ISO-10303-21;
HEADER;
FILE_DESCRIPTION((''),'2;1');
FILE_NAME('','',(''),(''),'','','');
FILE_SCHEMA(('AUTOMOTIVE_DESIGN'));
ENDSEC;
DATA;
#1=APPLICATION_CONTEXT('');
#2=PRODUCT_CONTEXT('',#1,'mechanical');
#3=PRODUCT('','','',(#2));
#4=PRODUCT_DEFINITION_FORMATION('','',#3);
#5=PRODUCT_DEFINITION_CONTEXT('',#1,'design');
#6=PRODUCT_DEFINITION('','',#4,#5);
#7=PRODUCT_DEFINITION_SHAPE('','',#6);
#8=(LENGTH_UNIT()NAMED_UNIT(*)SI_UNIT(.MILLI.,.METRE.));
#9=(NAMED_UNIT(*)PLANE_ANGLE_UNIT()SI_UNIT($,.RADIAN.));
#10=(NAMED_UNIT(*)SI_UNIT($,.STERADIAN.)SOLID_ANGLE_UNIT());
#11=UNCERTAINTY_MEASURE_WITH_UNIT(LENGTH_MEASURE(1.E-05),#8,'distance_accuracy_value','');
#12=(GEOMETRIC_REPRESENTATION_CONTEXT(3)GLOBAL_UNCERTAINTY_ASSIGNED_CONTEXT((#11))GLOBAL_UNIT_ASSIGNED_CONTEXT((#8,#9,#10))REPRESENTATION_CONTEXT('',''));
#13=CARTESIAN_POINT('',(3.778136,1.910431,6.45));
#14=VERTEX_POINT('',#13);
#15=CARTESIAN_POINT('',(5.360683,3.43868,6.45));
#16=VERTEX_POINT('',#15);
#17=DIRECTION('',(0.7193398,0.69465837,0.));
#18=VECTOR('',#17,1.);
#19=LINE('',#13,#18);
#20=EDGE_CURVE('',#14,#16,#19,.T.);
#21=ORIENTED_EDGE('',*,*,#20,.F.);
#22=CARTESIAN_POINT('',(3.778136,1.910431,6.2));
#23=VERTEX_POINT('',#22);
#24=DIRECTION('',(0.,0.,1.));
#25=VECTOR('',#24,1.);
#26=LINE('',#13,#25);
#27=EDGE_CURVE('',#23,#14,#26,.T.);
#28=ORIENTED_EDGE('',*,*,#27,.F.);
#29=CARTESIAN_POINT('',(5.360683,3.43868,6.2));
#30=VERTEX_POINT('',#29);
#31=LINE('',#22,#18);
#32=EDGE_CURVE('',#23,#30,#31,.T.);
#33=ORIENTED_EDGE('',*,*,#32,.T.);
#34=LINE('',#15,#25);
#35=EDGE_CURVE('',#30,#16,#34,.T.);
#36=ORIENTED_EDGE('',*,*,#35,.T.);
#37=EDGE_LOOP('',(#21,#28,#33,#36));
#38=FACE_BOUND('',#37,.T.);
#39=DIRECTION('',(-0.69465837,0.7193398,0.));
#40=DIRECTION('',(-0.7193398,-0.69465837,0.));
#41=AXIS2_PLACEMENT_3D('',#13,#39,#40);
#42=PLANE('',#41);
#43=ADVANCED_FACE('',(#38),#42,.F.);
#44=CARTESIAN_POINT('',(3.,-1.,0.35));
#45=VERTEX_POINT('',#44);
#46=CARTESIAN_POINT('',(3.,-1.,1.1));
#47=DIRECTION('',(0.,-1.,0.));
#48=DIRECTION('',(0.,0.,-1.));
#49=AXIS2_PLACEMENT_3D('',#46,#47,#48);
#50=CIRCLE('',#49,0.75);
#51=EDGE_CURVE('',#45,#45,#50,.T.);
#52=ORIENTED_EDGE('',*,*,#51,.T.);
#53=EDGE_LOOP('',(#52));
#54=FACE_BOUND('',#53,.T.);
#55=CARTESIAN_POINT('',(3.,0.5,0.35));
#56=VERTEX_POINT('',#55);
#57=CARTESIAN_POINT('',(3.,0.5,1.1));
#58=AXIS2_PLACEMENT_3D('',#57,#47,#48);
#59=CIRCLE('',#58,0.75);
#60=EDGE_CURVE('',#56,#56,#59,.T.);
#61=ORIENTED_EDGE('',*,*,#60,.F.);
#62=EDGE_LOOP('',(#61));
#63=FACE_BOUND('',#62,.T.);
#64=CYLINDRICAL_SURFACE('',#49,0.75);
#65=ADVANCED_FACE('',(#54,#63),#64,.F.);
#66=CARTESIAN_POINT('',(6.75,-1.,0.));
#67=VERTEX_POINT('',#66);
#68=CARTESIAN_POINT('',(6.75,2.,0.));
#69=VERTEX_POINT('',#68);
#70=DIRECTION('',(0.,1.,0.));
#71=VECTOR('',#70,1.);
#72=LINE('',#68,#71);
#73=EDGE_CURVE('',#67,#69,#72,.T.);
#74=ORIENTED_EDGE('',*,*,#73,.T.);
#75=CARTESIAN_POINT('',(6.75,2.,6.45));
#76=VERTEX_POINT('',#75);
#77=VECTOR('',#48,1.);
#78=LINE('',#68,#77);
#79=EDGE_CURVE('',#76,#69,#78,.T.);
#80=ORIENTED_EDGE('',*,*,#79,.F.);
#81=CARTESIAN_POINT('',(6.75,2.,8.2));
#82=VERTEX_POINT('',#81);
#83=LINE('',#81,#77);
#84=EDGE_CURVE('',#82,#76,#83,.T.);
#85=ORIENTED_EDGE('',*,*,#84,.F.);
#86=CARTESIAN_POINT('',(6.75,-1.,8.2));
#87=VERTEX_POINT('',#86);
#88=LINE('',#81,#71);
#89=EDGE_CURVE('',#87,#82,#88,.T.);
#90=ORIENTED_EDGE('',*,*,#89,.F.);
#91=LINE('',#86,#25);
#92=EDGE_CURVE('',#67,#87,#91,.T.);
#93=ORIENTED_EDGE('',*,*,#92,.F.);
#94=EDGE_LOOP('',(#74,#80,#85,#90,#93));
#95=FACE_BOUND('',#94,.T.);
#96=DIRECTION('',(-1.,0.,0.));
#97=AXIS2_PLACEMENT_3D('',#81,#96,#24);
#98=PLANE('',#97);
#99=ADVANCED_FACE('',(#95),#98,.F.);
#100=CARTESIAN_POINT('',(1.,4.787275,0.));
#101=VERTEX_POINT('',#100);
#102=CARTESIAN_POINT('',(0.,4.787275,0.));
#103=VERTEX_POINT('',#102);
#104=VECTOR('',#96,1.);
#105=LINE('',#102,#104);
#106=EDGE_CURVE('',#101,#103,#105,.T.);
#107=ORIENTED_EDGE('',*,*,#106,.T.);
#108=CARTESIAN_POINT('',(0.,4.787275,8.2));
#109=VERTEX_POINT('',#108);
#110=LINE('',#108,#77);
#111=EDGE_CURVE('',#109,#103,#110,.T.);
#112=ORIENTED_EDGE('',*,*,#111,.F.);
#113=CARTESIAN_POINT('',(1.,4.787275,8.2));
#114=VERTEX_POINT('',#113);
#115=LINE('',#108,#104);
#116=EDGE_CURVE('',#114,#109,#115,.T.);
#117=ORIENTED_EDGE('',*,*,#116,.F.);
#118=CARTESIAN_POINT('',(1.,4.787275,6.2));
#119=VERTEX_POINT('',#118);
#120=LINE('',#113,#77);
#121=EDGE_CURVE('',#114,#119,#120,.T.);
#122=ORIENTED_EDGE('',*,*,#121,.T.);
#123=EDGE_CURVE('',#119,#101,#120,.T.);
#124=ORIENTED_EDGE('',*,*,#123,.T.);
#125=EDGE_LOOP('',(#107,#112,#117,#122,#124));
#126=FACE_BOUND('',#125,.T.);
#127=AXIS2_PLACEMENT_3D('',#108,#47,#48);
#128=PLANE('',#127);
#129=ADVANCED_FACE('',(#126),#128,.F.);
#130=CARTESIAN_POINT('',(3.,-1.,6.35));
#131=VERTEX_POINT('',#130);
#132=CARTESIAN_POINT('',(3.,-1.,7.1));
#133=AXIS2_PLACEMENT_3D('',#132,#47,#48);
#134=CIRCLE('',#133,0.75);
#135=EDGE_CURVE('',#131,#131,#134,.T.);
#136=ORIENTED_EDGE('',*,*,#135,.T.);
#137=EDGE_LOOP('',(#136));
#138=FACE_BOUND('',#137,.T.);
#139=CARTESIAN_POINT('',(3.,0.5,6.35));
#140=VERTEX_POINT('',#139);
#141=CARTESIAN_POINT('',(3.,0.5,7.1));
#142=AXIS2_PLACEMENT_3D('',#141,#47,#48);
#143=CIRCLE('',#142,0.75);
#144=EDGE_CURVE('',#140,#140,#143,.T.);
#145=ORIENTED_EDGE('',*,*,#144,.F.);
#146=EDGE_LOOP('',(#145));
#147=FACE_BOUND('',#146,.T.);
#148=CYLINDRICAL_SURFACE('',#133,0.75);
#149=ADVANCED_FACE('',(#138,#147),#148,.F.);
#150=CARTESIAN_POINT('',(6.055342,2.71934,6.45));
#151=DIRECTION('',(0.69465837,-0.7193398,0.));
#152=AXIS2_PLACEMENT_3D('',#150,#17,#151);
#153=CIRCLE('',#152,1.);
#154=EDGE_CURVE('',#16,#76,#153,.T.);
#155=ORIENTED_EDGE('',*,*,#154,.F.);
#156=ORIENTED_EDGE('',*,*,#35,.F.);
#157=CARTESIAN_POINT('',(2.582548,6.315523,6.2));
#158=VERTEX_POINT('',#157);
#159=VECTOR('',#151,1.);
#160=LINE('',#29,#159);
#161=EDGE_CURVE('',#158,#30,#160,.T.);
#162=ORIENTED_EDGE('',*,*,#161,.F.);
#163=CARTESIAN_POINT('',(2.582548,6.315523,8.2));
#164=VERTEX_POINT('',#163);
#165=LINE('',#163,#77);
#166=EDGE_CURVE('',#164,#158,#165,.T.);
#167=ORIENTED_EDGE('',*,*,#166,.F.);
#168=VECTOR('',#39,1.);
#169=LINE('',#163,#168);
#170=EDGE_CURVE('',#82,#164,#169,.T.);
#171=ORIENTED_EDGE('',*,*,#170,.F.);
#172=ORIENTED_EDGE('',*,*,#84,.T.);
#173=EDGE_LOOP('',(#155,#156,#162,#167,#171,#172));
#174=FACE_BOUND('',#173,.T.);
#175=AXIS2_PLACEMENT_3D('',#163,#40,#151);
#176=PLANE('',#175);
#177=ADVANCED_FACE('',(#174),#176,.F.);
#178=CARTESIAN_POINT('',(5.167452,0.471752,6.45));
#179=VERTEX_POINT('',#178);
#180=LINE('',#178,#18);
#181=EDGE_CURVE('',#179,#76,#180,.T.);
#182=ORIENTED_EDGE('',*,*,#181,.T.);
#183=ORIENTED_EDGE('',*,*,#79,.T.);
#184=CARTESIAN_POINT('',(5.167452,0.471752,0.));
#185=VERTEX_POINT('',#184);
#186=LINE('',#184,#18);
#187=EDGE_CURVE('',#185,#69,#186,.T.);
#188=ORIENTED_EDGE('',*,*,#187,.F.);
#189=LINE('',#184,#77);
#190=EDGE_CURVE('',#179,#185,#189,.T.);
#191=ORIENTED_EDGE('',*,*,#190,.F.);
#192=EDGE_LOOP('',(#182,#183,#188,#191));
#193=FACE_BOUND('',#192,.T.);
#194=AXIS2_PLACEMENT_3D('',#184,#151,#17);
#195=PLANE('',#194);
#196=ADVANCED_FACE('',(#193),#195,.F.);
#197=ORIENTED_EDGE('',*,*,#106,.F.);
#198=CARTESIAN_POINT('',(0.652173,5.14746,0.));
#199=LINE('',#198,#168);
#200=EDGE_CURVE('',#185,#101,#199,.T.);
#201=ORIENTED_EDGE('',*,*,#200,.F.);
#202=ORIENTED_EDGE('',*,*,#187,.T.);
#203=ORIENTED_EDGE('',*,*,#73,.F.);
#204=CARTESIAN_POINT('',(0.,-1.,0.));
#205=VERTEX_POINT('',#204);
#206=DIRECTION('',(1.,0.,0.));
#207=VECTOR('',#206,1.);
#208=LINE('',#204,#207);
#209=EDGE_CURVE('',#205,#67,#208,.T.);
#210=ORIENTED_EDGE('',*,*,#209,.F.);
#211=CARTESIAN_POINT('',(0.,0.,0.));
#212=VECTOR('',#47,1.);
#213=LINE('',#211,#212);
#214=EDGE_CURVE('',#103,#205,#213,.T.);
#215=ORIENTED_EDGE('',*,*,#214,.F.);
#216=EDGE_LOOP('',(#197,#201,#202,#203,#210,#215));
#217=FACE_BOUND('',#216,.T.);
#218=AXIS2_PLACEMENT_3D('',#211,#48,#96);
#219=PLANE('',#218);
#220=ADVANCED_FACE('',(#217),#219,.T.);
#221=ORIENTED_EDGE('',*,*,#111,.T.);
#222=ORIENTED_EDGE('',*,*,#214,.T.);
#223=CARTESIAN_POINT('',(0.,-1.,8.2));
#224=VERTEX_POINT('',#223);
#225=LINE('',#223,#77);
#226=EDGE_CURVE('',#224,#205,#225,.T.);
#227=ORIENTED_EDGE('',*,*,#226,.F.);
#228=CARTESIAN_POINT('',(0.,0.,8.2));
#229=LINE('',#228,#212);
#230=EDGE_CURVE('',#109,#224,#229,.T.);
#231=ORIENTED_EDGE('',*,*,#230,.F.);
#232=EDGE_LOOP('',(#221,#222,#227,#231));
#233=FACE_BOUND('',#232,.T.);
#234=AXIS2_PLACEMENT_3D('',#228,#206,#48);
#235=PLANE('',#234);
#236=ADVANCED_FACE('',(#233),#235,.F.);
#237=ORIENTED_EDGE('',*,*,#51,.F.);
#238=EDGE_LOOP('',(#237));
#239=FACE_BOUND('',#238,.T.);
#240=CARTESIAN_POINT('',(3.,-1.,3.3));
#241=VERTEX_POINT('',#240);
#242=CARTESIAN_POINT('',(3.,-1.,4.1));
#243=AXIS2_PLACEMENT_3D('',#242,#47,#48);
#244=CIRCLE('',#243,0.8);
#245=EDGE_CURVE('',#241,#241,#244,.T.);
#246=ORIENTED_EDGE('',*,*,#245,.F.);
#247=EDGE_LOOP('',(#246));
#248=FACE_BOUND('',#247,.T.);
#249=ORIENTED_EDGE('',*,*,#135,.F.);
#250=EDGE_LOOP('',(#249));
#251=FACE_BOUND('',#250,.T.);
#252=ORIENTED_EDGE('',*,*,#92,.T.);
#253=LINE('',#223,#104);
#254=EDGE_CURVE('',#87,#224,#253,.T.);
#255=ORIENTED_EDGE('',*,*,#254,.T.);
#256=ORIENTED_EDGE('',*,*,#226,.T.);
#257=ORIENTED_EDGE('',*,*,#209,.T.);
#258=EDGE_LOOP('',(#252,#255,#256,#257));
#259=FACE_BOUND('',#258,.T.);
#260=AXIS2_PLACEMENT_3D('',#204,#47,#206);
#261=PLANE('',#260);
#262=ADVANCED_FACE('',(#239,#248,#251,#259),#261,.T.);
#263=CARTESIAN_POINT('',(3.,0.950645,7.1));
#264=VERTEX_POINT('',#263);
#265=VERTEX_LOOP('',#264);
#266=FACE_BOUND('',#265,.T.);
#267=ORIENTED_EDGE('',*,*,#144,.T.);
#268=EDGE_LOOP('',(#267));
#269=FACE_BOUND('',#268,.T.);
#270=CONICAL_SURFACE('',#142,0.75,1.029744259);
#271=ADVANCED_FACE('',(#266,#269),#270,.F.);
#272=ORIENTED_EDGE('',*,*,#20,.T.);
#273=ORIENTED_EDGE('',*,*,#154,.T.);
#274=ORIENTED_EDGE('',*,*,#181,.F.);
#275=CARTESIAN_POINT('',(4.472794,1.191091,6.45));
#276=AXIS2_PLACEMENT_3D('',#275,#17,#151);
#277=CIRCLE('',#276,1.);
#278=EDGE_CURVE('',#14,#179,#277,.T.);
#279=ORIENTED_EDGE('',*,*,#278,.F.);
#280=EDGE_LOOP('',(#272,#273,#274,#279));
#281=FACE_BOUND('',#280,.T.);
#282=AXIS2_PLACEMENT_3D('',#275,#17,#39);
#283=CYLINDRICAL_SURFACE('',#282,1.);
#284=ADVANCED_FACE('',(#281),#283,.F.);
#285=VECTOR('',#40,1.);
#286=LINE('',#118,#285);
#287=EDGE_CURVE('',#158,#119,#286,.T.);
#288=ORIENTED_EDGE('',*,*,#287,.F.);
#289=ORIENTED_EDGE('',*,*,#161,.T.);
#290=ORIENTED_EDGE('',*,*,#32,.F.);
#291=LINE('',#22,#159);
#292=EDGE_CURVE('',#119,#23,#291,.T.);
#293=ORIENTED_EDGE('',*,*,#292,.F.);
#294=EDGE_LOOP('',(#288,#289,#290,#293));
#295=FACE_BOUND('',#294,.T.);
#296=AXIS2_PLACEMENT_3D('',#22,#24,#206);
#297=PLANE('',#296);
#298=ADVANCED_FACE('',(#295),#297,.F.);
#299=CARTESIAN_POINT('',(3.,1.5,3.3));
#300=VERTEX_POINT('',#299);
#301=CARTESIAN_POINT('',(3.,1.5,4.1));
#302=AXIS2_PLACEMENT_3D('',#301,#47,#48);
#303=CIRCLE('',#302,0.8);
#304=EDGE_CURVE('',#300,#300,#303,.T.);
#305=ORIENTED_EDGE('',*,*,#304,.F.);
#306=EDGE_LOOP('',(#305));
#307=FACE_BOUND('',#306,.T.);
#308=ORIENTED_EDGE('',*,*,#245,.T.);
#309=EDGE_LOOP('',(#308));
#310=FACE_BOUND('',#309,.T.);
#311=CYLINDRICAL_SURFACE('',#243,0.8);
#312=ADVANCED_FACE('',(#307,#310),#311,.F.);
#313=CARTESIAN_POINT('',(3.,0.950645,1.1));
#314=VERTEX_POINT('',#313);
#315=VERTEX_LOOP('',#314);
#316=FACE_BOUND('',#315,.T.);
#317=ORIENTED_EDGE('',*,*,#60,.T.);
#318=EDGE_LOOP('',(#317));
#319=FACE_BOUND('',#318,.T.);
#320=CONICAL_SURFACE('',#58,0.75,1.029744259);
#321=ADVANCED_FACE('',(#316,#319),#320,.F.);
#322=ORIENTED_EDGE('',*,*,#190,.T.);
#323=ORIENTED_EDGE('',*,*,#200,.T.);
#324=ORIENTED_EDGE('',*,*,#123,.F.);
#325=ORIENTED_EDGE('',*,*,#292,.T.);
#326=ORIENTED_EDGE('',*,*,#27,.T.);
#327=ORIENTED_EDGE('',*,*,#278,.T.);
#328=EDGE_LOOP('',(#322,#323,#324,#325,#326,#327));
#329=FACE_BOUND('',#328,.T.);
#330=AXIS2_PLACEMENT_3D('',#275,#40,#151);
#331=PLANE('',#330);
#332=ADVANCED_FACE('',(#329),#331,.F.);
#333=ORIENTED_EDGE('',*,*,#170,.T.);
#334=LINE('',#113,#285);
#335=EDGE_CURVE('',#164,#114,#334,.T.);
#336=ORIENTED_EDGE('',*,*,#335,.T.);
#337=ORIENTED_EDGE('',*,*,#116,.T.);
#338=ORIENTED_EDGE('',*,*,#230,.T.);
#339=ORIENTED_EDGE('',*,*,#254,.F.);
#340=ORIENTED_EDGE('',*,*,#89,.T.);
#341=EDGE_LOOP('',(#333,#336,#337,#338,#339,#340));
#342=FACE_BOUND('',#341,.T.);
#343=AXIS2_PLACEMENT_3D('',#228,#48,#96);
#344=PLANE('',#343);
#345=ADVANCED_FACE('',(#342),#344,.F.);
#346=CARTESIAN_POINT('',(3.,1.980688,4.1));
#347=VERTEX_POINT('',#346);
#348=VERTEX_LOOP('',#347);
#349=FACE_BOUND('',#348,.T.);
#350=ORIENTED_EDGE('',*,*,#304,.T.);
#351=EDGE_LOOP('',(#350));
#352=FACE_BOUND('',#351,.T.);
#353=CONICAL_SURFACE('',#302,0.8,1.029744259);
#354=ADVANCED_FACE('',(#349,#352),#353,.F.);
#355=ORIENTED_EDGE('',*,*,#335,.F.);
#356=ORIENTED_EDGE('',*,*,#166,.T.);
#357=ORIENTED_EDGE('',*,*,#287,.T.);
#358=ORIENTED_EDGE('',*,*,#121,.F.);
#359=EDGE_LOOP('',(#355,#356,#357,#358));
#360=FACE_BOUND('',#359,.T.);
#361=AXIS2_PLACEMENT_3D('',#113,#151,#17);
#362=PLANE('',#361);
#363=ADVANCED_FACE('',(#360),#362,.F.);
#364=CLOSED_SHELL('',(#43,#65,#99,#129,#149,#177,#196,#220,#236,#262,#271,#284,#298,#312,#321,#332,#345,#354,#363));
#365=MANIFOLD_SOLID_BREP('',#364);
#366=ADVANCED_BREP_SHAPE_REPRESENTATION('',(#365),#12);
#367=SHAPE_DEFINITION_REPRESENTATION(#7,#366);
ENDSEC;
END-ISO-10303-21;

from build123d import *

# Parameters (mm, degrees)
BOSS_EXTRUDE1_DEPTH       = 8.2
CUT_EXTRUDE1_DEPTH        = 2.2
SKETCH7_W                 = 6.75
SKETCH7_H                 = 8.2
BOSS_EXTRUDE2_DEPTH       = 1
F_1_5MM_DOWEL_HOLE1_D     = 1.5
F_1_5MM_DOWEL_HOLE1_DEPTH = 1.5
F_1_5MM_DOWEL_HOLE1_TIP   = 0.450645464
M2X0_4_TAPPED_HOLE1_D     = 1.6
M2X0_4_TAPPED_HOLE1_DEPTH = 2.5
M2X0_4_TAPPED_HOLE1_TIP   = 0.480688495


with BuildPart() as part:
    # Sketch1 → Boss-Extrude1 (new body)
    with BuildSketch(Plane.XY):
        Polygon((0, 0), (0, 4.787274917), (1, 4.787274917), (2.582547561, 6.315523332), (6.75, 2), (6.75, 0), align=None)
    extrude(amount=BOSS_EXTRUDE1_DEPTH)

    # Sketch2 → Cut-Extrude1 (cut)
    with BuildSketch(Plane(origin=(4.492176628, 4.338044544, 0), x_dir=(0, 0, -1), z_dir=(0.7193398, 0.69465837, 0))):
        with BuildLine():
            Line((0, -3.2502644), (-6.45, -3.2502644))
            ThreePointArc((-6.45, -3.2502644), (-7.45, -2.2502644), (-6.45, -1.2502644))
            Line((-6.45, -1.2502644), (-6.2, -1.2502644))
            Line((-6.2, -1.2502644), (-6.2, 3.2497356))
            Line((-6.2, 3.2497356), (0, 3.2497356))
            Line((0, 3.2497356), (0, -3.2502644))
        make_face()
    extrude(amount=-CUT_EXTRUDE1_DEPTH, mode=Mode.SUBTRACT)

    # Sketch7 → Boss-Extrude2 (add)
    with BuildSketch(Plane.XZ):
        with Locations((3.375, 4.1)):
            Rectangle(SKETCH7_W, SKETCH7_H)
    extrude(amount=BOSS_EXTRUDE2_DEPTH)

    # Ø1.5mm Dowel Hole1
    with Locations(Plane(origin=(0, -1, 0), x_dir=(-1, 0, 0), z_dir=(0, -1, 0))):
        with Locations((-3, -7.1), (-3, -1.1)):
            Hole(F_1_5MM_DOWEL_HOLE1_D / 2, depth=F_1_5MM_DOWEL_HOLE1_DEPTH)
            with Locations((0, 0, -(F_1_5MM_DOWEL_HOLE1_DEPTH + F_1_5MM_DOWEL_HOLE1_TIP / 2))):  # 118° drill point
                Cone(0, F_1_5MM_DOWEL_HOLE1_D / 2, F_1_5MM_DOWEL_HOLE1_TIP, mode=Mode.SUBTRACT)

    # M2x0.4 Tapped Hole1
    with Locations(Plane(origin=(0, -1, 0), x_dir=(-1, 0, 0), z_dir=(0, -1, 0))):
        with Locations((-3, -4.1)):
            Hole(M2X0_4_TAPPED_HOLE1_D / 2, depth=M2X0_4_TAPPED_HOLE1_DEPTH)
            with Locations((0, 0, -(M2X0_4_TAPPED_HOLE1_DEPTH + M2X0_4_TAPPED_HOLE1_TIP / 2))):  # 118° drill point
                Cone(0, M2X0_4_TAPPED_HOLE1_D / 2, M2X0_4_TAPPED_HOLE1_TIP, mode=Mode.SUBTRACT)


solid = part.part
